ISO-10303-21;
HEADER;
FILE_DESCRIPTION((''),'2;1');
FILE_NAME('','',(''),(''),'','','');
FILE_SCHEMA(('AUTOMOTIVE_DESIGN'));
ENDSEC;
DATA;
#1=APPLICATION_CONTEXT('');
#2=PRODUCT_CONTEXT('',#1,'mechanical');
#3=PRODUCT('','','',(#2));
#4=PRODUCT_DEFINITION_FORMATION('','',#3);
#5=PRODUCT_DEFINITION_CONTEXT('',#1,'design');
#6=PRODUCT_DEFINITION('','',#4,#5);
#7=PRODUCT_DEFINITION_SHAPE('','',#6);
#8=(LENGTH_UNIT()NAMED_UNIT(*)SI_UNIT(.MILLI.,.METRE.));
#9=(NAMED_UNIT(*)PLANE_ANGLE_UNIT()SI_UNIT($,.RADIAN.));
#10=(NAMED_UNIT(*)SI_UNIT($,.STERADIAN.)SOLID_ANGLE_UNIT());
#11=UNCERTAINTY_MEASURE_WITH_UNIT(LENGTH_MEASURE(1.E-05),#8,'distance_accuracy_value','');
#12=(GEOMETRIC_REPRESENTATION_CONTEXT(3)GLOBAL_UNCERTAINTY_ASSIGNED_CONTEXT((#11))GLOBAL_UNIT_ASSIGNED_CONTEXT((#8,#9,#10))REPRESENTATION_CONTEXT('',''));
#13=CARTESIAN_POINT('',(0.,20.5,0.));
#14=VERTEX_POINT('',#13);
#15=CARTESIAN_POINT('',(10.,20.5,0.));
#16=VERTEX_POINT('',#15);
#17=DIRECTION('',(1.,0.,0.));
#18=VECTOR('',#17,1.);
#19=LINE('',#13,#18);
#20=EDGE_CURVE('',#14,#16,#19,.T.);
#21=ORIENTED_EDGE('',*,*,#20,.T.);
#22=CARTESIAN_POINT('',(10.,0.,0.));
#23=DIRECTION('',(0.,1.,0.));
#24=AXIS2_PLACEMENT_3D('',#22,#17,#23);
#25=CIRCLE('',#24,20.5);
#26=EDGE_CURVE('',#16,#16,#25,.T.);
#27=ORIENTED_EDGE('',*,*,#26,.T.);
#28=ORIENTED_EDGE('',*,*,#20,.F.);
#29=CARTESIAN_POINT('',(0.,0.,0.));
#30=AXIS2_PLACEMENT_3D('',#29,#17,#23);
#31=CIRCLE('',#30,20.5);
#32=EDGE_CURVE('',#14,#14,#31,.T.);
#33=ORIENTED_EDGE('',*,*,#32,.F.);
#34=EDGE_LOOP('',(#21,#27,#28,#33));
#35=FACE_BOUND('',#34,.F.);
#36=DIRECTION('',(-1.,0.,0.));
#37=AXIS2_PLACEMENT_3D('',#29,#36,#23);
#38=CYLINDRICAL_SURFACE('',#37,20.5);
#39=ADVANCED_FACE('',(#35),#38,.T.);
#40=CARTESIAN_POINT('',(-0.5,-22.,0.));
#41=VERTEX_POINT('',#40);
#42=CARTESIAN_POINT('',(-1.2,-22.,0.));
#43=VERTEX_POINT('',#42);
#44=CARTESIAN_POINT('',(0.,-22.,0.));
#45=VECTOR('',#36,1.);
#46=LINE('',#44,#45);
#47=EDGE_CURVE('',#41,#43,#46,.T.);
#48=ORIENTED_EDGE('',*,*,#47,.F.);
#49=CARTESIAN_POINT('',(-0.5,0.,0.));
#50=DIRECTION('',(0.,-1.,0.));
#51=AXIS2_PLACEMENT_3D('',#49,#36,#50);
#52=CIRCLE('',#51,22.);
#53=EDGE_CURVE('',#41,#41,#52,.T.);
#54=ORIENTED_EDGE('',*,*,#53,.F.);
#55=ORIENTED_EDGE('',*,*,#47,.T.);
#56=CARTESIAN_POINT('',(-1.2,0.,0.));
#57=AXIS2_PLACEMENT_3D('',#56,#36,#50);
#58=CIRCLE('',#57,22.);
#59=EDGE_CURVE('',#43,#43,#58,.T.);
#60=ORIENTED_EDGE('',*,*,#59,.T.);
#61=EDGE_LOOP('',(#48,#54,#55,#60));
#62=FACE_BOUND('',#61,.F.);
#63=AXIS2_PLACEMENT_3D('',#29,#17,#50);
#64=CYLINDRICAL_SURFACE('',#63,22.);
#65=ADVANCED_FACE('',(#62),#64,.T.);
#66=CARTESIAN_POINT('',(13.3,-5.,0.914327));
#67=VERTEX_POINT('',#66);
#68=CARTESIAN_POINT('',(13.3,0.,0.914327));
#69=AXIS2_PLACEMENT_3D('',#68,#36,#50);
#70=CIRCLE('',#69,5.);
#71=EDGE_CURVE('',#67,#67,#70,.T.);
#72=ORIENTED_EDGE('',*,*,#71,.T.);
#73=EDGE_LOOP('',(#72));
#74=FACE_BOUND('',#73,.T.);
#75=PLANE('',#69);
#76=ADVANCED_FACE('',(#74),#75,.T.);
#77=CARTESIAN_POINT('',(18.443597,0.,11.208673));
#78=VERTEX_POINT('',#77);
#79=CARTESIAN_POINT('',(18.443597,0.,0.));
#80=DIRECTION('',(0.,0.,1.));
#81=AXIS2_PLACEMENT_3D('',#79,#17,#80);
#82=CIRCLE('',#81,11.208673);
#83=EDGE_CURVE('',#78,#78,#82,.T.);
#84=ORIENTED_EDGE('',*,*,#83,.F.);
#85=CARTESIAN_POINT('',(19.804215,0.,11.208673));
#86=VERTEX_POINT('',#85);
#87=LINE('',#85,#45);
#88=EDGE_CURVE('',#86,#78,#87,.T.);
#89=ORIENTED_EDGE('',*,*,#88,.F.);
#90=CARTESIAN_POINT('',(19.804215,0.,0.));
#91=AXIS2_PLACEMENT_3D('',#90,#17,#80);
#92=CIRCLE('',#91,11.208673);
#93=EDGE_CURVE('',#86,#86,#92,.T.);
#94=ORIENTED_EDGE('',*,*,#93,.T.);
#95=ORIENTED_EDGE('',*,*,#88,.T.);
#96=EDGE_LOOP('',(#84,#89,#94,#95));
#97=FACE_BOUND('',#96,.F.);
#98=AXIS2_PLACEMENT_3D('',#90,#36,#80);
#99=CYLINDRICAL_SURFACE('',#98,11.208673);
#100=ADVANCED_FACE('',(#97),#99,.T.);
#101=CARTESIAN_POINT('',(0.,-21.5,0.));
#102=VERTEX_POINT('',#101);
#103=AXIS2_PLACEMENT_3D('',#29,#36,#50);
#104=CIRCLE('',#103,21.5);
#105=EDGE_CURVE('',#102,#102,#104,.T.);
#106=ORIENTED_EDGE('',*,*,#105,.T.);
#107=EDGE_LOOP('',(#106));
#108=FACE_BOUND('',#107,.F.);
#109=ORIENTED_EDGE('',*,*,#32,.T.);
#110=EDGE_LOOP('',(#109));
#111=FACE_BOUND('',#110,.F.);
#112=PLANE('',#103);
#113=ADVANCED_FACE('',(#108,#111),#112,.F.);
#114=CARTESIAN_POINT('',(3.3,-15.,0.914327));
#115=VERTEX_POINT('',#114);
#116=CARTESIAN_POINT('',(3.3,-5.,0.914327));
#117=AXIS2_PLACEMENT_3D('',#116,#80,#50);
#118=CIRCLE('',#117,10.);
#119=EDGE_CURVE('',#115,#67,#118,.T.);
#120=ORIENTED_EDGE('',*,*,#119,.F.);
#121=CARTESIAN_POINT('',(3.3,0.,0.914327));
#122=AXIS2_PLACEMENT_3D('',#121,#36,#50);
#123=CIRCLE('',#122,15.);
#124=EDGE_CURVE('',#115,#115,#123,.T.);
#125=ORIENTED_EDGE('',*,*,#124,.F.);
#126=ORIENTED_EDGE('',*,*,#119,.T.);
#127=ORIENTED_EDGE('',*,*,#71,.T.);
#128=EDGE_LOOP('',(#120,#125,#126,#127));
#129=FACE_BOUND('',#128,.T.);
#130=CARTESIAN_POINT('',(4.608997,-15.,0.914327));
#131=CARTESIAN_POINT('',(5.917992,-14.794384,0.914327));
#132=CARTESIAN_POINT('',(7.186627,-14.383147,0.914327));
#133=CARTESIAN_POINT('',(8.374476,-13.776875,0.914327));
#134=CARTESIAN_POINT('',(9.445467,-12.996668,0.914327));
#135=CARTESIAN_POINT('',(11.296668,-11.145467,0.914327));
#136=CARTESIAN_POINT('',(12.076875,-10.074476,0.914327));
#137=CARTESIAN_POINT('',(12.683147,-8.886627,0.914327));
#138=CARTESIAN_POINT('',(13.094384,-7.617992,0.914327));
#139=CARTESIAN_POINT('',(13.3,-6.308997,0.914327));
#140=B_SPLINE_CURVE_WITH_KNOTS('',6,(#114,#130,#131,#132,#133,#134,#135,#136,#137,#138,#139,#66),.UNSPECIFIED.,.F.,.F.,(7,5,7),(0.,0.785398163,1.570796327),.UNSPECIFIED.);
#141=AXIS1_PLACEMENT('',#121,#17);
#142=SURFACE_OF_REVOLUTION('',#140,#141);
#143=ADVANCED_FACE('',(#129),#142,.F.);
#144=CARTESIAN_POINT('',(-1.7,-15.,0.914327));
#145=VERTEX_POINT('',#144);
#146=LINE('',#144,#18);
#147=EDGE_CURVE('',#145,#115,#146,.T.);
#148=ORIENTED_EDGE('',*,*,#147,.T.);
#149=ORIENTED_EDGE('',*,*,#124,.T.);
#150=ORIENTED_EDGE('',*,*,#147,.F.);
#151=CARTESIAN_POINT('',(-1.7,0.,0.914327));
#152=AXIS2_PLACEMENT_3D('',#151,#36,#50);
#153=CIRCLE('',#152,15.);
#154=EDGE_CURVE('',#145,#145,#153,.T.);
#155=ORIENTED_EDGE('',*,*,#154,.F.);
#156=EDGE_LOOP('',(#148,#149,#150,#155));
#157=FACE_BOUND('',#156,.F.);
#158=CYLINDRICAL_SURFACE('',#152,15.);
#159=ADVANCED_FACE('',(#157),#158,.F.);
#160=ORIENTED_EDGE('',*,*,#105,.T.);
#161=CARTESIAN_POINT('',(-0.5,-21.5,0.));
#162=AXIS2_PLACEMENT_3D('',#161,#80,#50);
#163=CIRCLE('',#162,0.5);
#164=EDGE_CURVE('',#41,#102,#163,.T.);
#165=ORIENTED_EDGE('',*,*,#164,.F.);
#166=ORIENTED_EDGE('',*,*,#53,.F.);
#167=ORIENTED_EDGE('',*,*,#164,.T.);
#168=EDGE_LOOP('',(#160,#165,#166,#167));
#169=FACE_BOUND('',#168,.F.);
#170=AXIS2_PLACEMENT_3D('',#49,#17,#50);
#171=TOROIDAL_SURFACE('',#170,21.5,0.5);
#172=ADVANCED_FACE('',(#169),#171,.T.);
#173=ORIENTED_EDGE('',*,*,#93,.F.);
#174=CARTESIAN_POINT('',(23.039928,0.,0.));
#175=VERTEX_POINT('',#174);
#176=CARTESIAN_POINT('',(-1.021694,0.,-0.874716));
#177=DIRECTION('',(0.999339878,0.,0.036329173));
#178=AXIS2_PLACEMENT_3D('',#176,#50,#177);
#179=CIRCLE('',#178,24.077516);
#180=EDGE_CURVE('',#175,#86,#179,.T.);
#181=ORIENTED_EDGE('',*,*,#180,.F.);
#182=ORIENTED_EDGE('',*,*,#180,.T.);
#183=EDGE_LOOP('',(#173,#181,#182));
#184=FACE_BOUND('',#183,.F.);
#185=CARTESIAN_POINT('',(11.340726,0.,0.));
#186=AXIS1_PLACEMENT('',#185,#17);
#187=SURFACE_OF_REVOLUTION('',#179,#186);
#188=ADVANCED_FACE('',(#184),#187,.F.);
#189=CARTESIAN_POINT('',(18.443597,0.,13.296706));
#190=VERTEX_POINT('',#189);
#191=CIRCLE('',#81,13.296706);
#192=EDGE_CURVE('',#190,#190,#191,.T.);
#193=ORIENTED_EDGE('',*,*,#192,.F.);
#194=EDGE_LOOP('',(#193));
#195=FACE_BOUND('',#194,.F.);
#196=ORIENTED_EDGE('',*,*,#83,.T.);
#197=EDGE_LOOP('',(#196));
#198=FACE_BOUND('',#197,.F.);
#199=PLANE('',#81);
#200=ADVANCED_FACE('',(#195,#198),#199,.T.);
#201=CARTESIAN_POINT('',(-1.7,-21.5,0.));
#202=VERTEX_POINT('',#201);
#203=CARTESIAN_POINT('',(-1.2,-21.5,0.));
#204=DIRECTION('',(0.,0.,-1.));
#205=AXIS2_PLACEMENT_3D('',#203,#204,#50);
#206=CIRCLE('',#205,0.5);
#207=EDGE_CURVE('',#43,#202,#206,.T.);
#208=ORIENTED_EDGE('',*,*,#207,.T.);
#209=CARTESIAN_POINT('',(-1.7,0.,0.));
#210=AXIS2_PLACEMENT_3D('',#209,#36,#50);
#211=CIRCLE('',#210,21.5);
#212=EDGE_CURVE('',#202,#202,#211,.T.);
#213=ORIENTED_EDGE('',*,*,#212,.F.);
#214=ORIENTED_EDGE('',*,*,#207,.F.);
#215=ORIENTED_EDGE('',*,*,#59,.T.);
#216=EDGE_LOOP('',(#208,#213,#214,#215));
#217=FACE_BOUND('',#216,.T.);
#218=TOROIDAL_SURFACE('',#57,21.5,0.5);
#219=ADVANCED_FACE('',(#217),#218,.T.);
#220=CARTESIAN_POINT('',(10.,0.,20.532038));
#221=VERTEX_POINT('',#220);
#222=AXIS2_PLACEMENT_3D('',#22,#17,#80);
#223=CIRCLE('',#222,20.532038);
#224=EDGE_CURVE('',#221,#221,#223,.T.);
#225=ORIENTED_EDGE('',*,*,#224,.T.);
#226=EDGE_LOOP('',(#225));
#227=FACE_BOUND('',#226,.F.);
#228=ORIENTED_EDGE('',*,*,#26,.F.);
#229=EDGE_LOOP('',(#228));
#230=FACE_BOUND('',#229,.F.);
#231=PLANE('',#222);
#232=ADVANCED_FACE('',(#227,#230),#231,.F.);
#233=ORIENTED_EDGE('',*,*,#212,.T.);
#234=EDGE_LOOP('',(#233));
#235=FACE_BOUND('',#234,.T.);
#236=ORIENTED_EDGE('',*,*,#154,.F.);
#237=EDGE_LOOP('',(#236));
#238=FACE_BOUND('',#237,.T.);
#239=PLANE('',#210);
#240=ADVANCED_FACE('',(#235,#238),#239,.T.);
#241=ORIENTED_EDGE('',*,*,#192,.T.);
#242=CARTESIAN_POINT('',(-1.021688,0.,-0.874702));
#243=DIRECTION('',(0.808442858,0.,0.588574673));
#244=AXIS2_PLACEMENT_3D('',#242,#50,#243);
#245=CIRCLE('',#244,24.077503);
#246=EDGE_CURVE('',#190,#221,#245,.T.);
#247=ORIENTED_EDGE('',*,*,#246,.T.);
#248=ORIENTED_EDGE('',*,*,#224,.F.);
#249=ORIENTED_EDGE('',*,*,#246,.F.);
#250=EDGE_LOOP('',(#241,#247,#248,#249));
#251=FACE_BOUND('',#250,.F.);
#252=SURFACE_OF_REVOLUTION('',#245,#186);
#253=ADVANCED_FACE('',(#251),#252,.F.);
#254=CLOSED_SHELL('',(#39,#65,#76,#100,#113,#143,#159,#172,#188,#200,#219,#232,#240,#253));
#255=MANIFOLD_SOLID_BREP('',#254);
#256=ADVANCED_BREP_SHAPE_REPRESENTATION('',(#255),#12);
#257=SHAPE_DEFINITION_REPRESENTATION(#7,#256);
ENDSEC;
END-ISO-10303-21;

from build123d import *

# Parameters (mm, degrees)
F0_R     = 20.5
F1_DEPTH = 10
F4_R     = 22
F5_DEPTH = 1.7
F6_R     = 0.5
F7_R     = 15
F8_DEPTH = 15
F9_R     = 10


with BuildPart() as f1:
    # F0 (on Right) → F1 (new body)
    with BuildSketch(Plane.YZ):
        Circle(F0_R)
    extrude(amount=F1_DEPTH)

    # F2 (on Front) → F3 (revolve)
    with BuildSketch(Plane.XZ):
        with BuildLine():
            Line((10, 0), (23.039928, 0))
            ThreePointArc((23.039928, 0), (22.111209, 5.803276), (19.804215, 11.208673))
            Line((19.804215, 11.208673), (18.443597, 11.208673))
            Line((18.443597, 11.208673), (18.443597, 13.296706))
            ThreePointArc((18.443597, 13.296706), (14.6452, 17.40848), (10, 20.532038))
            Line((10, 20.532038), (10, 0))
        make_face()
    revolve(axis=Axis((11.340726, 0, 0), (1, 0, 0)))

    # F4 (on face) → F5 (join)
    with BuildSketch(Plane(origin=(0, 0, 0), x_dir=(0, -1, 0), z_dir=(-1, 0, 0))):
        Circle(F4_R)
    extrude(amount=F5_DEPTH)

    # F6
    f6_edges = [f1.edges().sort_by_distance(p)[0] for p in [
        (-1.7, 22, 0),
        (0, 22, 0),
    ]]
    fillet(f6_edges, radius=F6_R)

    # F7 (on face) → F8 (cut)
    with BuildSketch(Plane(origin=(-1.7, 0, 0), x_dir=(0, -1, 0), z_dir=(-1, 0, 0))):
        with Locations((0, 0.914327)):
            Circle(F7_R)
    extrude(amount=-F8_DEPTH, mode=Mode.SUBTRACT)

    # F9
    f9_edges = [f1.edges().sort_by_distance(p)[0] for p in [
        (13.3, 15, 0.914327),
    ]]
    fillet(f9_edges, radius=F9_R)


solid = f1.part
